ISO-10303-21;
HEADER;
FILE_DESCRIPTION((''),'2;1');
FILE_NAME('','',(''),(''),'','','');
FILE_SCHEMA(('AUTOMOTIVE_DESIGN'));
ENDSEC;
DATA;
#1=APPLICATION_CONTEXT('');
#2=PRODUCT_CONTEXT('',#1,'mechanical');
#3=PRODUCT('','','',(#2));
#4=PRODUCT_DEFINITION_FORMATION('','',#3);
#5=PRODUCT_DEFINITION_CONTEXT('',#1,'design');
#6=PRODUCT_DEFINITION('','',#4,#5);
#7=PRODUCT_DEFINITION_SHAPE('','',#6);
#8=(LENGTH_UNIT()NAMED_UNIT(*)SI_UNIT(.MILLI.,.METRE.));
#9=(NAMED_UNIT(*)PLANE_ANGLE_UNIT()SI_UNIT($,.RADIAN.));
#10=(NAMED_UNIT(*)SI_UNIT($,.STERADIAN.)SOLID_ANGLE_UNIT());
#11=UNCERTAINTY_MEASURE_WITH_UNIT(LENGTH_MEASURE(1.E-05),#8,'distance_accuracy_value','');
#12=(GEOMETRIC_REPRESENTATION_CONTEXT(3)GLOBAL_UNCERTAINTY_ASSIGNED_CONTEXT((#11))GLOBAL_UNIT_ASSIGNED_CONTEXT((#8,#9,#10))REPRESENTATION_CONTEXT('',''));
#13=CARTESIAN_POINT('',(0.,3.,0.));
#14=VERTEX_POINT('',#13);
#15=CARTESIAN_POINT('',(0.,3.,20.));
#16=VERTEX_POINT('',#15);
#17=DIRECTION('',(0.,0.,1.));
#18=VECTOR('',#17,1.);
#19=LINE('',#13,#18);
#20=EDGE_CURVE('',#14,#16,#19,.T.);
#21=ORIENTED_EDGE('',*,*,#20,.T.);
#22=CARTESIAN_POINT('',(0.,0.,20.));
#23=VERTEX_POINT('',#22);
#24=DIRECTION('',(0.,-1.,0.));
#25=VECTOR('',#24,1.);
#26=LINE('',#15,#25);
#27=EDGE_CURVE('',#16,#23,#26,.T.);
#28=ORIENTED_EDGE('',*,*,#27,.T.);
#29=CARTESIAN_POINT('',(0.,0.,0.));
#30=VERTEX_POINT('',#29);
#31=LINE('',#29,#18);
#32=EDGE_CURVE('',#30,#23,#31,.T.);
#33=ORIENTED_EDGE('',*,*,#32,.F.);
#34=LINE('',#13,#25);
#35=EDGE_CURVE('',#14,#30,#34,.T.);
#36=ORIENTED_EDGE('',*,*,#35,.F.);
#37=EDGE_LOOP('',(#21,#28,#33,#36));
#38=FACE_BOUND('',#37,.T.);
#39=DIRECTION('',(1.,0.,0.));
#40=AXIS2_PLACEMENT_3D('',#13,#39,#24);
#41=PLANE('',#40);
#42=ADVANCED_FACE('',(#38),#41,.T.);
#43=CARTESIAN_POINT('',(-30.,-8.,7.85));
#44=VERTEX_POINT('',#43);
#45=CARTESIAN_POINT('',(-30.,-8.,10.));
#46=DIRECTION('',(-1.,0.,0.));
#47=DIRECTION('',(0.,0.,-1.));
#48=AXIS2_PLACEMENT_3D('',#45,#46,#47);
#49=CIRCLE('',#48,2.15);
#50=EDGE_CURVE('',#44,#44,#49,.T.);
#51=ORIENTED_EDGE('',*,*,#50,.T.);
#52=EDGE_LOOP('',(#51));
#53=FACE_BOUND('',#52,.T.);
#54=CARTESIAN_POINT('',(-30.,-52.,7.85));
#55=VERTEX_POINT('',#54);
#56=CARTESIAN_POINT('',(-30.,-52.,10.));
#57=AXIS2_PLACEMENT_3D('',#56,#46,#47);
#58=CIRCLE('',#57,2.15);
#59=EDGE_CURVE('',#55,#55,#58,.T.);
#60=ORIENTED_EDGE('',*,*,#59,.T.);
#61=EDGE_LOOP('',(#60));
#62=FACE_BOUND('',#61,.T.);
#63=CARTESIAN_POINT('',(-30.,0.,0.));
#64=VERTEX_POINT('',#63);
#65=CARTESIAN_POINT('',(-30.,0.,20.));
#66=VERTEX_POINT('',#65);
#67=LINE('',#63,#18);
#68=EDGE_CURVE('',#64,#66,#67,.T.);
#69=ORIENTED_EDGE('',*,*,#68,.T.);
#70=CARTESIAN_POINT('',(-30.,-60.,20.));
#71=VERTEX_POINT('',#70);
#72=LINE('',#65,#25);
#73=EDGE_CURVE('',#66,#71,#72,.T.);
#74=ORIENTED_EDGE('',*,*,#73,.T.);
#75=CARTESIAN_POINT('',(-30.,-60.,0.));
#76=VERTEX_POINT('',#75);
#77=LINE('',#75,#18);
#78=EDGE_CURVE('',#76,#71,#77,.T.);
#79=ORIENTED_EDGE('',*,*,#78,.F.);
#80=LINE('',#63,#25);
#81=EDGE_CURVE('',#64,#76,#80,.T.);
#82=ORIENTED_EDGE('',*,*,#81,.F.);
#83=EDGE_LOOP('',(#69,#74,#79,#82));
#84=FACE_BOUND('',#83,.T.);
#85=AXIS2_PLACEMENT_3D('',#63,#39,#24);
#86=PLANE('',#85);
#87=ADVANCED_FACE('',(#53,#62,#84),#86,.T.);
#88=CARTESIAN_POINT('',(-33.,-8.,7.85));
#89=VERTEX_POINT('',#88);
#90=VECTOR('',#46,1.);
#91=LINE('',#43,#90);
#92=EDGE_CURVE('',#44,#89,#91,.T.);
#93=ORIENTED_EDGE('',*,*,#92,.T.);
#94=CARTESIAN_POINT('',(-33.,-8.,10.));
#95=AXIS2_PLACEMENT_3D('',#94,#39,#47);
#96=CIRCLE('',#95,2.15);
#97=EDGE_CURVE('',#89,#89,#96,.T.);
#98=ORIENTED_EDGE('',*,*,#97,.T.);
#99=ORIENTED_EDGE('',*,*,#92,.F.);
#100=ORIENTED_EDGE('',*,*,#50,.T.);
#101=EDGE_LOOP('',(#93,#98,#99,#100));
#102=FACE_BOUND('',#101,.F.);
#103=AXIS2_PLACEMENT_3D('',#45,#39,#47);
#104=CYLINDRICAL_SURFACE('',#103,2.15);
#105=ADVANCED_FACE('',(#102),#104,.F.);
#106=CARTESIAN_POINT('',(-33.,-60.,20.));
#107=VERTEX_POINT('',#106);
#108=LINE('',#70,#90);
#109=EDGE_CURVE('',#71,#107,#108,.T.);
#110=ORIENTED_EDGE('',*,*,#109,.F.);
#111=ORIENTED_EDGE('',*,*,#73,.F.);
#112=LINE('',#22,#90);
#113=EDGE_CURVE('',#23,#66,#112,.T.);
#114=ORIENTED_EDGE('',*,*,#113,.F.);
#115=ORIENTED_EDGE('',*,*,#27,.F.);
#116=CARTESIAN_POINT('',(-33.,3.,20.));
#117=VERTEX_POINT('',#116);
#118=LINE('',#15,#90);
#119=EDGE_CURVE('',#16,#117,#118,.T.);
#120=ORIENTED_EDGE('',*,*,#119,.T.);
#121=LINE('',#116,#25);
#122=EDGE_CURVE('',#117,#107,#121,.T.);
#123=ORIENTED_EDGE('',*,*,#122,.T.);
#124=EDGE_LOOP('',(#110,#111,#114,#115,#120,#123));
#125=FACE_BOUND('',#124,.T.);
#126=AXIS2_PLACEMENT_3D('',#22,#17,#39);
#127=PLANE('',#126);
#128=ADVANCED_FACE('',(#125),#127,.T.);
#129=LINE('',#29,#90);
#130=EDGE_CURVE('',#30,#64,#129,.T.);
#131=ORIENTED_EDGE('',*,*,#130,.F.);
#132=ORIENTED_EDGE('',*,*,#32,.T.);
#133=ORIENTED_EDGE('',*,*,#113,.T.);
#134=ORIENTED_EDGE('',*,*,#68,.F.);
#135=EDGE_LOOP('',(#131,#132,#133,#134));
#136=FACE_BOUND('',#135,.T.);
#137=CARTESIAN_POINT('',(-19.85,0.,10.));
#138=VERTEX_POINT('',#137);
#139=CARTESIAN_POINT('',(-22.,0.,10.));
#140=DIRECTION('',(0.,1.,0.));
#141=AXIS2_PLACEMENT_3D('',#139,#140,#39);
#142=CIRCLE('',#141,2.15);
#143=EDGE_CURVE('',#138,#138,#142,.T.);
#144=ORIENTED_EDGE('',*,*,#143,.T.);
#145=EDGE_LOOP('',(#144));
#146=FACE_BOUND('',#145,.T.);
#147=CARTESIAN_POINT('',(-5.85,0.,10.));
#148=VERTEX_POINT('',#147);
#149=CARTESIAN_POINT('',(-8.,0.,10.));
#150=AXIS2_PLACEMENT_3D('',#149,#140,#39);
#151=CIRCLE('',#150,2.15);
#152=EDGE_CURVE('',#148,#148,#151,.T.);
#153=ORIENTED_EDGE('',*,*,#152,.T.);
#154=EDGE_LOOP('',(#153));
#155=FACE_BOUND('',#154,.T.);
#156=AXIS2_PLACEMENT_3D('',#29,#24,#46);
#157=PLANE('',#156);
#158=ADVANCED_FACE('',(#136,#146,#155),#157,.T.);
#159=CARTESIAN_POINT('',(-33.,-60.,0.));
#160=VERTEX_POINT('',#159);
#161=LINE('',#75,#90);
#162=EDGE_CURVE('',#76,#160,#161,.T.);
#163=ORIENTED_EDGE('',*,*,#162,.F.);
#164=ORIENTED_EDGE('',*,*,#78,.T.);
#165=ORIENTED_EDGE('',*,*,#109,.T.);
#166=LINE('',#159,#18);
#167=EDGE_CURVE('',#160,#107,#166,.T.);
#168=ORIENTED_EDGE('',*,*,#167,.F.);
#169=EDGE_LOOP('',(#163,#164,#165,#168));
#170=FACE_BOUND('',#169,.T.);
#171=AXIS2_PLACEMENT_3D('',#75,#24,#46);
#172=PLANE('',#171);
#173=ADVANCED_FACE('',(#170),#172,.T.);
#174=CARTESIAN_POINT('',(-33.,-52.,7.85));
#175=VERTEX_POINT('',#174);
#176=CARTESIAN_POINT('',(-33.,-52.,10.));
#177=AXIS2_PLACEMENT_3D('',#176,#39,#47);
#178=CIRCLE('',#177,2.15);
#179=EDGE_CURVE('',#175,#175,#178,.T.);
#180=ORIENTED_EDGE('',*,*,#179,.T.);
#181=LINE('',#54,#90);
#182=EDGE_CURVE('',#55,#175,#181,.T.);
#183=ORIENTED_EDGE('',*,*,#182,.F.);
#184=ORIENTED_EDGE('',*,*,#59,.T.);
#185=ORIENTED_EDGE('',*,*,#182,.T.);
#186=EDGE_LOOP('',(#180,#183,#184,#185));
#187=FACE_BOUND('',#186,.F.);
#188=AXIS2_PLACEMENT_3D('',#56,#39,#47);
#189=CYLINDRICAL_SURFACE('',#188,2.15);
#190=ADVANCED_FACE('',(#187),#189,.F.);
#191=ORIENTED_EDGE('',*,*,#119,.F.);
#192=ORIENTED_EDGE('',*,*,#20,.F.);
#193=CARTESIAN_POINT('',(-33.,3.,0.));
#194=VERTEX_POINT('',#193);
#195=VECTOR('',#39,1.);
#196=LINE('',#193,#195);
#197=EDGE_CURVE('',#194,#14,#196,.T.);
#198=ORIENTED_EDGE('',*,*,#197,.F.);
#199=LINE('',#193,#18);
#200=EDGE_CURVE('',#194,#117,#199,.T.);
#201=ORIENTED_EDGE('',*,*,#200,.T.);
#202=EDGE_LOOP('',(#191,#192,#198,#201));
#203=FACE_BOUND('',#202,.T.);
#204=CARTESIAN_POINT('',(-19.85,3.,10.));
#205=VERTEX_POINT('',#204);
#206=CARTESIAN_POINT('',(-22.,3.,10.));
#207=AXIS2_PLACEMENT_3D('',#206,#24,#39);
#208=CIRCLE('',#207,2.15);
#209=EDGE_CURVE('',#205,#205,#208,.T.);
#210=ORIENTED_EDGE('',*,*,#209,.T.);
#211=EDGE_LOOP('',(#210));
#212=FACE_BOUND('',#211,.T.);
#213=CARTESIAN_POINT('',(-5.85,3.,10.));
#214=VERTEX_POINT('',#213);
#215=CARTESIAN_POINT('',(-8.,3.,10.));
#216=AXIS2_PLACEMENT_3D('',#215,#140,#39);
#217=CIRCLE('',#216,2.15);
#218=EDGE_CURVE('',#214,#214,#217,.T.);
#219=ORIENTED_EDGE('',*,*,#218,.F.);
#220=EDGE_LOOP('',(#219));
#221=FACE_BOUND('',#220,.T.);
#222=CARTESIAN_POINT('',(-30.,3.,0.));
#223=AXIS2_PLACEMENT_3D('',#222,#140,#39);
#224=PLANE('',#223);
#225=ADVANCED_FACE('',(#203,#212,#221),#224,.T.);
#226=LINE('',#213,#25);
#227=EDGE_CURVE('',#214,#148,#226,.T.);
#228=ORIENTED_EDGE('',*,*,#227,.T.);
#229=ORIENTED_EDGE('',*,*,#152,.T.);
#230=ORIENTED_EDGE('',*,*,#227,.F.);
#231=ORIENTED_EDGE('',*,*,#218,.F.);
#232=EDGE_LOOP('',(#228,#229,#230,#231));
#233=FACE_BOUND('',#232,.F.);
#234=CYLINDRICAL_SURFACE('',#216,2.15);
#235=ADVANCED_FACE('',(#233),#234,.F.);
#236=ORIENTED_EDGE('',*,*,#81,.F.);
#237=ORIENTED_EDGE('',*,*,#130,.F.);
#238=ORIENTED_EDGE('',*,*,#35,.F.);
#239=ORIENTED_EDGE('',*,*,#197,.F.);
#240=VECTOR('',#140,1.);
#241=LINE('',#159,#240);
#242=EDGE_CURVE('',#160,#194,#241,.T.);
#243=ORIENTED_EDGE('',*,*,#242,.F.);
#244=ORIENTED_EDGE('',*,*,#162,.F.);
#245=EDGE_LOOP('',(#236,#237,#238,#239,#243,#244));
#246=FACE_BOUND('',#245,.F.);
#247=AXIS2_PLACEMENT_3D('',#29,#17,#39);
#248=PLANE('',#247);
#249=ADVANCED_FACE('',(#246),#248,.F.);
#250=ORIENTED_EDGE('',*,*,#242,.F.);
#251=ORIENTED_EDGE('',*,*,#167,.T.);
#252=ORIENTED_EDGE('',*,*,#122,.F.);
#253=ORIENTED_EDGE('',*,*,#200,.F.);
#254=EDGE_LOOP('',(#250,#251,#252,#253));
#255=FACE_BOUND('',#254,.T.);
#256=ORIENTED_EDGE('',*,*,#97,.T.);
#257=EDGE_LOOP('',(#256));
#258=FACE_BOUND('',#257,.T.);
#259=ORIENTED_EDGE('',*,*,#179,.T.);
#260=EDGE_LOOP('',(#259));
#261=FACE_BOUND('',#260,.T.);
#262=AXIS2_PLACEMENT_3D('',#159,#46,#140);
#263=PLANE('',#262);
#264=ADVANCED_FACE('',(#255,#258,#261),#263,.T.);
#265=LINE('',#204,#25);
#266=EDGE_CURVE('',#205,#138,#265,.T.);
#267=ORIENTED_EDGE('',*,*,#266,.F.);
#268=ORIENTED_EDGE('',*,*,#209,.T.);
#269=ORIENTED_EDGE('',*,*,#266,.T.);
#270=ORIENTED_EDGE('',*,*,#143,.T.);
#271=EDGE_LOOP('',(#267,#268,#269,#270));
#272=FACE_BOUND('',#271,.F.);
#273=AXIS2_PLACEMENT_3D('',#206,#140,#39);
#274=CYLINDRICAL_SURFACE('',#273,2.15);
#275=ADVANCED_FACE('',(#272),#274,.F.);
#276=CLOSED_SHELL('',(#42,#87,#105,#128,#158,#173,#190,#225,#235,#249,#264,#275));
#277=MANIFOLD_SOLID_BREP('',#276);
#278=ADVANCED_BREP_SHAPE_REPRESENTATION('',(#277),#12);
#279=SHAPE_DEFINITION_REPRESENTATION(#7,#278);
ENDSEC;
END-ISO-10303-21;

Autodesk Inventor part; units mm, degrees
ref_plane "YZ Plane" through (0, 0, 0) normal (1, 0, 0) x (0, 1, 0)
ref_plane "XZ Plane" through (0, 0, 0) normal (0, 1, 0) x (-1, 0, 0)
sketch "Sketch1" plane through (0, 0, 0) normal (0, 0, 1) x (1, 0, 0)
  line L0 (0, 0) -> (-30, 0)
  line L1 (-30, 0) -> (-30, -60)
  line L2 (0, 0) -> (-30, 0)
  line L3 (-30, 0) -> (-30, 3)
  line L4 (-30, 3) -> (0, 3)
  line L5 (0, 3) -> (0, 0)
  line L6 (-30, -60) -> (-33, -60)
  line L7 (-33, -60) -> (-33, 0)
  line L8 (-33, 0) -> (-30, 0)
  line L9 (-30, 0) -> (-30, -60)
  line L10 (-30, 3) -> (-33, 3)
  line L11 (-33, 3) -> (-33, 0)
  line L12 (-33, 0) -> (-30, 0)
  line L13 (-30, 0) -> (-30, 3)
  dimension "d0" = 30
  dimension "d1" = 60
  dimension "d2" = 3
  dimension "d3" = 3
extrude "Extrusion1" add sketch "Sketch1" along normal blind 20
sketch "Sketch2" plane through (-30, -60, 0) normal (1, 0, 0) x (0, 0, -1)
  line L0 (0, 63) -> (0, 0) projected
  line L1 (-20, 63) -> (-20, 0) projected
  line L2 (0, 0) -> (-20, 0)
  line L3 (-20, 0) -> (-20, 60)
  line L4 (-20, 60) -> (0, 60)
  line L5 (0, 60) -> (0, 0)
  line L6 (-10, 0) -> (-10, 8)
  line L7 (-10, 60) -> (-10, 52)
  circle A0 centre (-10, 52) radius 2.15
  circle A1 centre (-10, 8) radius 2.15
  dimension "d6" = 8
  dimension "d7" = 8
  dimension "d8" = 4.3
  dimension "d9" = 4.3
extrude "Extrusion2" cut sketch "Sketch2" against normal through all contours A0 | A1
sketch "Sketch3" plane through (-33, 3, 0) normal (0, 1, 0) x (1, 0, 0)
  line L0 (33, -20) -> (0, -20) projected
  line L1 (3, 0) -> (3, -20) projected
  line L2 (33, -20) -> (3, -20)
  line L3 (3, -20) -> (3, 0)
  line L4 (3, 0) -> (33, 0)
  line L5 (33, 0) -> (33, -20)
  line L6 (33, -10) -> (25, -10)
  line L7 (3, -10) -> (11, -10)
  circle A0 centre (11, -10) radius 2.15
  circle A1 centre (25, -10) radius 2.15
  dimension "d12" = 8
  dimension "d13" = 8
  dimension "d14" = 4.3
  dimension "d15" = 4.3
extrude "Extrusion3" cut sketch "Sketch3" against normal through all contours A1 | A0
ref_plane "Work Plane1" through (0, 0, 10) normal (0, 0, 1) x (1, 0, 0)
properties part number "BedBeltMount1"
